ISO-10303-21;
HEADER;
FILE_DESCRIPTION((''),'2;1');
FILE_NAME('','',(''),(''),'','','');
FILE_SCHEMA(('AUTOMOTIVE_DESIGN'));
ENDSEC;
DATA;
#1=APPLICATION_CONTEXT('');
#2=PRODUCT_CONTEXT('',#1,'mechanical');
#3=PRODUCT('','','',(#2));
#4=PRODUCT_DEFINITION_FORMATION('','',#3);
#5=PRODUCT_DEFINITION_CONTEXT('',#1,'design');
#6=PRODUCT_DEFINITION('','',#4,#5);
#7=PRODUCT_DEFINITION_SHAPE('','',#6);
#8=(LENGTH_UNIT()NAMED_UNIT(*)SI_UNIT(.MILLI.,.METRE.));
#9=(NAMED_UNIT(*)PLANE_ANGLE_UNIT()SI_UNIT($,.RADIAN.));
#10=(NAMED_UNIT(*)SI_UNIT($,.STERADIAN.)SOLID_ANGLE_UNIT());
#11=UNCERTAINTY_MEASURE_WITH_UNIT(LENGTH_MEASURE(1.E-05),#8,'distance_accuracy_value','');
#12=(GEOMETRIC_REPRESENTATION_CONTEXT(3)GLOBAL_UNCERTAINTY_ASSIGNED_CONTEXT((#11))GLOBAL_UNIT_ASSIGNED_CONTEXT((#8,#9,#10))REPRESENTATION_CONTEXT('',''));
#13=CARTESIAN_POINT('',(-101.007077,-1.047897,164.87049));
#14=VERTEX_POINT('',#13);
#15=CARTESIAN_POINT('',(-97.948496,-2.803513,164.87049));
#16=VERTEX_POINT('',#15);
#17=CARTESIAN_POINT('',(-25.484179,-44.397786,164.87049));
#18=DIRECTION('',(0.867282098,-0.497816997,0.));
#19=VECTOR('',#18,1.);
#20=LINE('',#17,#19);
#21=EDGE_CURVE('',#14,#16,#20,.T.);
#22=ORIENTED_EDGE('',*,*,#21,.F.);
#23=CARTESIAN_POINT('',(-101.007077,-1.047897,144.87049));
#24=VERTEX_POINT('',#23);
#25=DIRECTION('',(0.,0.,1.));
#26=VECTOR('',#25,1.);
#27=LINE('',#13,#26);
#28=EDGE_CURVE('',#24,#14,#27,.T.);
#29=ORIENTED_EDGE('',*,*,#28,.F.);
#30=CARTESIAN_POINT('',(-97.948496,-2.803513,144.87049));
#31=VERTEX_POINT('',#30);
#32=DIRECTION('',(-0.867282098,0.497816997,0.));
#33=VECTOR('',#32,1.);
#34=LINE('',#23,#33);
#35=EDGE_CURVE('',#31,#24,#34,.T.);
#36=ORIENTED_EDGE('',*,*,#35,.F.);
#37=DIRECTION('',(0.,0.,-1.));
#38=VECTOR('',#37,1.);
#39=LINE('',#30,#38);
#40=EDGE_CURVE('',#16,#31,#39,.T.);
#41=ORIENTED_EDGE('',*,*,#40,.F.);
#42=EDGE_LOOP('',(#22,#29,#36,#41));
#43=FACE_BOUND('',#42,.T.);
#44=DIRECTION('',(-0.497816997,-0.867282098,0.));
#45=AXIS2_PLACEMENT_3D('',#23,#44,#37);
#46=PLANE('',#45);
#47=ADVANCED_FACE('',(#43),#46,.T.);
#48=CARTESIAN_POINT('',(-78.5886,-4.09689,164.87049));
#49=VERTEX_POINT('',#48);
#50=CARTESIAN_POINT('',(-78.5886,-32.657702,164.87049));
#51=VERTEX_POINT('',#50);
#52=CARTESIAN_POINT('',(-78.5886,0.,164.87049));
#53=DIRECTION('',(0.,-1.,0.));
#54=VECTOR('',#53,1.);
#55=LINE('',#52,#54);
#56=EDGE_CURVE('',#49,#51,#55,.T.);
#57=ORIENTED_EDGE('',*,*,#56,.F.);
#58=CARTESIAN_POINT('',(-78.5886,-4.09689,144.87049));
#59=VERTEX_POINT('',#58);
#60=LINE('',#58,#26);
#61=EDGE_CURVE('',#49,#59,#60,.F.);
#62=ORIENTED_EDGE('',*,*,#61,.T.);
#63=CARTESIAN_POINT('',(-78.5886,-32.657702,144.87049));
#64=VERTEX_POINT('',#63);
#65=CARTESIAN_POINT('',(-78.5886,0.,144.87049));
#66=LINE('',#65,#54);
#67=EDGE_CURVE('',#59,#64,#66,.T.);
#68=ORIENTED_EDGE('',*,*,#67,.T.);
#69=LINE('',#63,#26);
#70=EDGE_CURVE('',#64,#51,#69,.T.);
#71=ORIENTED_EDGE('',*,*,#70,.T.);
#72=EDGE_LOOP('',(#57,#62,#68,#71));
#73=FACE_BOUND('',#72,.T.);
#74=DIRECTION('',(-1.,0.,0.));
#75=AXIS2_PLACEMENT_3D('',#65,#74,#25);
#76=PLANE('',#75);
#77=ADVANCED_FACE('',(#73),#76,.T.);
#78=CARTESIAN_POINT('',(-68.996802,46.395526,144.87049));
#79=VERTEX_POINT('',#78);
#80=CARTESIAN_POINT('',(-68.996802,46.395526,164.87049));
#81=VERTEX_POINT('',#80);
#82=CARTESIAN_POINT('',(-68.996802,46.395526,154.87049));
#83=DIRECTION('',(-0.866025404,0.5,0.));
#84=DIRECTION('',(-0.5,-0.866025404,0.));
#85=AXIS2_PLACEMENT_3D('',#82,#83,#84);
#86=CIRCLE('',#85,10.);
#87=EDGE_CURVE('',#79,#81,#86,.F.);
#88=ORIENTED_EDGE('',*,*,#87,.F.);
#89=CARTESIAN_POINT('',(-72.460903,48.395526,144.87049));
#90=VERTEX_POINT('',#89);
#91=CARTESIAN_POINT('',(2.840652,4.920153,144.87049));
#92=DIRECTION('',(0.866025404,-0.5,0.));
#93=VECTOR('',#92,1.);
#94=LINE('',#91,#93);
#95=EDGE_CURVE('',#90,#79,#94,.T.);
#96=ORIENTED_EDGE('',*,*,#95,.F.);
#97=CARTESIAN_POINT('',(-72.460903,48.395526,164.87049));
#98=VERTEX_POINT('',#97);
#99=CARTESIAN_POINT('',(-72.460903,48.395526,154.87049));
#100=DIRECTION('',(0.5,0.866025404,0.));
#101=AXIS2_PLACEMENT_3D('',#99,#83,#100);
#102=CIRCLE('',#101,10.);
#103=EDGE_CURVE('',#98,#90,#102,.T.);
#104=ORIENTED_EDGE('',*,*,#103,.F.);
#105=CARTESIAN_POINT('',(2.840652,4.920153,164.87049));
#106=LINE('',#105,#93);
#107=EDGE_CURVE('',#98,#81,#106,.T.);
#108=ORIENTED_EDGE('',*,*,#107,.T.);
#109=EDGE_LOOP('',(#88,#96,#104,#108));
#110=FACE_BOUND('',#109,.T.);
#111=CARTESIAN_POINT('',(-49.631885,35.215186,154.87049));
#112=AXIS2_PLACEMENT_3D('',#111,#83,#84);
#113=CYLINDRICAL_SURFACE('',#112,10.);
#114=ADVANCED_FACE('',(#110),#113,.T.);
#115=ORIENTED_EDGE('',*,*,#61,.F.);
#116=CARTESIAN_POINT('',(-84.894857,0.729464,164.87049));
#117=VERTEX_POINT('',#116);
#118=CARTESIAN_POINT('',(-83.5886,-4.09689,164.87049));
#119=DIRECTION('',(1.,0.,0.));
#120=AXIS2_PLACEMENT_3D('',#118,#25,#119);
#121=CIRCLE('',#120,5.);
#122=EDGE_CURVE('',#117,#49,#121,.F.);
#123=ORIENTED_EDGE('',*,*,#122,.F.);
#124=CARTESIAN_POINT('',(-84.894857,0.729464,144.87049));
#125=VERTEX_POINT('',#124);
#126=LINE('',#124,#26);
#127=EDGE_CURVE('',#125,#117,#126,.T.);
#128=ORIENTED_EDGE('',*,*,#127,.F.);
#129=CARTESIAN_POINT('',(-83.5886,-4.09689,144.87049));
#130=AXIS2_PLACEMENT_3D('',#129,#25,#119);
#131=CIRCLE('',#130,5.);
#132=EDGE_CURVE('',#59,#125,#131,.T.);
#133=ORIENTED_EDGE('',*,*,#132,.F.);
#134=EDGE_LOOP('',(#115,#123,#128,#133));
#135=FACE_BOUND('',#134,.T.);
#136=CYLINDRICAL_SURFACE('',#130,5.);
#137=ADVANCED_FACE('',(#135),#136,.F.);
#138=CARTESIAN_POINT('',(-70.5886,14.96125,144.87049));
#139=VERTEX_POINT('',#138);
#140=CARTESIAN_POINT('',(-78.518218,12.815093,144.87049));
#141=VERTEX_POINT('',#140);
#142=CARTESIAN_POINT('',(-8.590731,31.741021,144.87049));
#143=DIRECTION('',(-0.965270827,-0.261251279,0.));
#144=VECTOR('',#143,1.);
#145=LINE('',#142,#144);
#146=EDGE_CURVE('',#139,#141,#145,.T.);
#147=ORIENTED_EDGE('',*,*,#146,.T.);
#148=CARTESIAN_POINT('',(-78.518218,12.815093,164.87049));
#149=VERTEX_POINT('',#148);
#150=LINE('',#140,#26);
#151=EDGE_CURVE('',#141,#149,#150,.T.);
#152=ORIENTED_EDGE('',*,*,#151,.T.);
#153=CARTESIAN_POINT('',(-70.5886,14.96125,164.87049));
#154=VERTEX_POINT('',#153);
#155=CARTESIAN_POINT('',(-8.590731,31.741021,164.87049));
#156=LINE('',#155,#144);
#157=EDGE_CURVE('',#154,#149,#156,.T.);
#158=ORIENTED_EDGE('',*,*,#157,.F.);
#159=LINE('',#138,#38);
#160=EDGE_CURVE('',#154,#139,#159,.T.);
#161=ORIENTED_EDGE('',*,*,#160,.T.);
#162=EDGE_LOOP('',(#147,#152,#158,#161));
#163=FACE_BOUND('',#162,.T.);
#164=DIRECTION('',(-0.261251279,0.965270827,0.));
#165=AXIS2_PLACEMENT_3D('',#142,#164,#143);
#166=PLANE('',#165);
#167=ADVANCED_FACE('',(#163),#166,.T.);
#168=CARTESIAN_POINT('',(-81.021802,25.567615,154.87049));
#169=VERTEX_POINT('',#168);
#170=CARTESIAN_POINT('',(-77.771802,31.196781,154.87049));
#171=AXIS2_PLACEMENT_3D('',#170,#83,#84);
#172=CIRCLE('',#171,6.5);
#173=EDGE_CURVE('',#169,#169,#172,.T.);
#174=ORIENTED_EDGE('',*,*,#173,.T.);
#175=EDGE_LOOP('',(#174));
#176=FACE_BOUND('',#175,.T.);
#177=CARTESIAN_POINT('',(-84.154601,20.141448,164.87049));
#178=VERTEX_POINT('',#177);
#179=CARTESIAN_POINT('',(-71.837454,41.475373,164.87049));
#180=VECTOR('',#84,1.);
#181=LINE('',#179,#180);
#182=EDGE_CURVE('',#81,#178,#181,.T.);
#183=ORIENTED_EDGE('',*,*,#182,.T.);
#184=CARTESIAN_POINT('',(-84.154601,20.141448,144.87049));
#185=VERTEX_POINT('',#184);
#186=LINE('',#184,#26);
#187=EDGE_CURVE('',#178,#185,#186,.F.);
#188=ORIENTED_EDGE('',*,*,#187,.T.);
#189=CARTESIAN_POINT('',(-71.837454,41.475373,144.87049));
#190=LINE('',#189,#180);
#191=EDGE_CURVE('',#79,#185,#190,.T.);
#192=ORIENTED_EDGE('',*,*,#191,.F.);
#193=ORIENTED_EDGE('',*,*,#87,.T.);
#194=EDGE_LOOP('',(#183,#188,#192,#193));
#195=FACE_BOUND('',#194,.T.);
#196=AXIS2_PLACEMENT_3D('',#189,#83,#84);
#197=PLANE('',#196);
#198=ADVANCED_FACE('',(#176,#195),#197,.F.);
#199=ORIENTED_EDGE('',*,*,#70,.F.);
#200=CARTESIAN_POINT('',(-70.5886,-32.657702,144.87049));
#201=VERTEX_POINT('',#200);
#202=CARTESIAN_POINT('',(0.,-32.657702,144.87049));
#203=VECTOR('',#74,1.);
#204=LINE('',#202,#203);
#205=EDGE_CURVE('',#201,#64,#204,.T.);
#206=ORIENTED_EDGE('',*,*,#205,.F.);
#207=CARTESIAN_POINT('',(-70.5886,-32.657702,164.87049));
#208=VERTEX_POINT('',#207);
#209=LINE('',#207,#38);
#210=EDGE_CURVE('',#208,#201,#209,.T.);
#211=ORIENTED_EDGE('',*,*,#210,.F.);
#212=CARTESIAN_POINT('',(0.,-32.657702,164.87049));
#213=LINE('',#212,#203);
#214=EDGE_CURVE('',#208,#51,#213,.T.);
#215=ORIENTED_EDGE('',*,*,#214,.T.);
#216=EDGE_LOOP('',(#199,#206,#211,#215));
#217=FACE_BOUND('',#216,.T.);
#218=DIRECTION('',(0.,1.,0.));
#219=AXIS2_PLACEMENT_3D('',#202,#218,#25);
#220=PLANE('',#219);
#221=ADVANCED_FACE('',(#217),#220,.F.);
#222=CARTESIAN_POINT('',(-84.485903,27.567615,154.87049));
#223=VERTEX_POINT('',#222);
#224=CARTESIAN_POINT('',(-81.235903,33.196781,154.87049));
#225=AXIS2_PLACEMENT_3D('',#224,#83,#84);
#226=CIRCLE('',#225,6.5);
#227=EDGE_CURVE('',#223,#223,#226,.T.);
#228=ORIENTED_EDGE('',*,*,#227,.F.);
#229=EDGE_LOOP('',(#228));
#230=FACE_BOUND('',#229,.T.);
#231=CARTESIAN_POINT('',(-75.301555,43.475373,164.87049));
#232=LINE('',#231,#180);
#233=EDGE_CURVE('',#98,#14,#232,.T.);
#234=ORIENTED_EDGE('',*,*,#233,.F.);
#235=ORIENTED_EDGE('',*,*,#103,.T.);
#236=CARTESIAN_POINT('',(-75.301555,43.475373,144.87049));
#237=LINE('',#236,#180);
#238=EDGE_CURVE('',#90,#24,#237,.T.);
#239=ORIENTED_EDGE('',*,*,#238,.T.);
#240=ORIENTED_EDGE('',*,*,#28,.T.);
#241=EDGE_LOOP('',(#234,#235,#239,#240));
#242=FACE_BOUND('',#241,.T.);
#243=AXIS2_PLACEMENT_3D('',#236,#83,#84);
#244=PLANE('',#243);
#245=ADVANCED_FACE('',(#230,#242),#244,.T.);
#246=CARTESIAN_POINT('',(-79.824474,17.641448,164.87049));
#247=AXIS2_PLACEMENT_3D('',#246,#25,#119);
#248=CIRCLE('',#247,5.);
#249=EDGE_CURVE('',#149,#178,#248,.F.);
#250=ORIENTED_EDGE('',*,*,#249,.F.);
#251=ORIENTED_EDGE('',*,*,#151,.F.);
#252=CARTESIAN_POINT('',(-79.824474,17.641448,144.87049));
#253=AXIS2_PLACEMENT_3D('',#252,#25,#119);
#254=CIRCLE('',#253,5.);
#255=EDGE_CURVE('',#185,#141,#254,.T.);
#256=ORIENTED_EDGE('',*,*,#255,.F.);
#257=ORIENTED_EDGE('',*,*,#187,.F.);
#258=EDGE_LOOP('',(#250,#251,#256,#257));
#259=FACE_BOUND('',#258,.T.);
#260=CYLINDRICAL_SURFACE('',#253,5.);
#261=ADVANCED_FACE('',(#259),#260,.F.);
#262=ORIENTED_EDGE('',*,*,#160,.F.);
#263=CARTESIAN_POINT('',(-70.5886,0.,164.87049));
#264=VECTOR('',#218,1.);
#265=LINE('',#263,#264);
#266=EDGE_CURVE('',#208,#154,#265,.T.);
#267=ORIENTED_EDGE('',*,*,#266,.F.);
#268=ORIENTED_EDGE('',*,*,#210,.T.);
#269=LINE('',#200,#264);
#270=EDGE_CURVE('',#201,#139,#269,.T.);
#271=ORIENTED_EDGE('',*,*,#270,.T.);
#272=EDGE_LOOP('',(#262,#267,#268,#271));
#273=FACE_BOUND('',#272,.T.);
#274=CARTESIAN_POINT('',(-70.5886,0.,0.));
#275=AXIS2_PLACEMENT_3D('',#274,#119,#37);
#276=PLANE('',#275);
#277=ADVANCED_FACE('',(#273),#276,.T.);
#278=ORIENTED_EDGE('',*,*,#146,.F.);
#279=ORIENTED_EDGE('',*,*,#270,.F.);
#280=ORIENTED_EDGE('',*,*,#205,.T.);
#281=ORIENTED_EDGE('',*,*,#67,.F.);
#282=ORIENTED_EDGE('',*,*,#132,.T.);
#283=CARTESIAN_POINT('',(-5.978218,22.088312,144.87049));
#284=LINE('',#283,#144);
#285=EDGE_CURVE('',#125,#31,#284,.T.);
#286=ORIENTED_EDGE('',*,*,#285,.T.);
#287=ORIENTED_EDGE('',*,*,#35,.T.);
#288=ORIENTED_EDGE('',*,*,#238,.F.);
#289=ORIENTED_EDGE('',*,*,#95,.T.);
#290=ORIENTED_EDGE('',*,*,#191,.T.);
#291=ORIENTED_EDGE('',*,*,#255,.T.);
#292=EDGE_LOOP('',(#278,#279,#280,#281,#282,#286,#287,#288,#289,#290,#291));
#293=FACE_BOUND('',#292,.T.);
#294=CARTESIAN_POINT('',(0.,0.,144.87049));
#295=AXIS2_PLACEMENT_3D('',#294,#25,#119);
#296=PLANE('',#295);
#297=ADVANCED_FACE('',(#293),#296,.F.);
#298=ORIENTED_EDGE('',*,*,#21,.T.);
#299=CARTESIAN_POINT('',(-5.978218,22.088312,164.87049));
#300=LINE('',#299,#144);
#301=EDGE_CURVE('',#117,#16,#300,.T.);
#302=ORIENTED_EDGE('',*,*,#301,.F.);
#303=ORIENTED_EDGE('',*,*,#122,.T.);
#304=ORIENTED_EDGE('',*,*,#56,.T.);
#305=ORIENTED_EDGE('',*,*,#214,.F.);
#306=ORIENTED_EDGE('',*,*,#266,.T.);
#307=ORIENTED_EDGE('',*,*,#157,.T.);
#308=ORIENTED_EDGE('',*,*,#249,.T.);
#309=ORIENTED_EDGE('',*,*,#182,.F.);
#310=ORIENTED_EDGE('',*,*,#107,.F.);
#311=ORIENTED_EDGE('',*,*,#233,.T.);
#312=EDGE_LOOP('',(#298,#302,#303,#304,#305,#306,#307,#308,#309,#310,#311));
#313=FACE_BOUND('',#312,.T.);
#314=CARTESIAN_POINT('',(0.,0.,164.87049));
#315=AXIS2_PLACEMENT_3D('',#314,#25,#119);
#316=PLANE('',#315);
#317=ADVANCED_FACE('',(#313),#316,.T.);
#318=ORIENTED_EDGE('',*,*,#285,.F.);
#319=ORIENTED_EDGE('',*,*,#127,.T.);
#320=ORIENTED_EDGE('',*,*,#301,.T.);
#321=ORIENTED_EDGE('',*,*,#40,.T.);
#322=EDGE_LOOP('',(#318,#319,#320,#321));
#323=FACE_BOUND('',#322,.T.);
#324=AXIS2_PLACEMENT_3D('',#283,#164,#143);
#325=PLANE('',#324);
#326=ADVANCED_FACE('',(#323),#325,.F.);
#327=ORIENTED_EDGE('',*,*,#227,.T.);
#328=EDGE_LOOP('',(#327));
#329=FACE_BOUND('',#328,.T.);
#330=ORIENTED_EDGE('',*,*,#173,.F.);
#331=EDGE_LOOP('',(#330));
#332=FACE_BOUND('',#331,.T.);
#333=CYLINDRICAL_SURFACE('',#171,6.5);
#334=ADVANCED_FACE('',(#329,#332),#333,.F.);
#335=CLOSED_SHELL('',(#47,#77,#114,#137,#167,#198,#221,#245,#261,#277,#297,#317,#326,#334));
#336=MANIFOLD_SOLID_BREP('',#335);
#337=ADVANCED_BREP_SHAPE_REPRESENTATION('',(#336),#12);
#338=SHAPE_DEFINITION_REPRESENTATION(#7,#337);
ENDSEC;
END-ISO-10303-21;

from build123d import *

# Parameters (mm, degrees)
BOSS_EXTRU_1_DEPTH      = 20
CONG_1_R                = 5
CHANFREIN1_SIZE2        = 5
CHANFREIN1_SIZE         = 3.535545122
BOSS_EXTRU_2_DEPTH      = 4
ESQUISSE9_W             = 20
ESQUISSE9_H             = 48.160254038
ENL_V_MAT_EXTRU_5_DEPTH = 2
ESQUISSE10_R            = 6.5
ENL_V_MAT_EXTRU_6_DEPTH = 4


with BuildPart() as part:
    # Esquisse1 → Boss.-Extru.1 (new body)
    with BuildSketch(Plane.XY.offset(164.870489571)):
        Polygon((-68.588600326, 5.142765071), (-68.588600326, 15.502551901), (-78.588600326, 12.796044343), (-90.211700696, 9.650243444), (-68.996801706, 46.395526372), (-72.460903321, 48.395526372), (-102.774849854, -4.109769201), (-78.588600326, 2.436257514), (-78.588600326, -32.657702137), (-68.588600326, -32.657702137), align=None)
    extrude(amount=-BOSS_EXTRU_1_DEPTH)

    # Congé1
    cong_1_edges = [part.edges().sort_by_distance(p)[0] for p in [
        (-90.211700696, 9.650243444, 154.870489571),
        (-78.588600326, 2.436257514, 154.870489571),
    ]]
    fillet(cong_1_edges, radius=CONG_1_R)

    # Chanfrein1
    chanfrein1_edges = [part.edges().sort_by_distance(p)[0] for p in [
        (-102.774849854, -4.109769201, 154.870489571),
    ]]
    chamfer(chanfrein1_edges, length=CHANFREIN1_SIZE, length2=CHANFREIN1_SIZE2)

    # Esquisse8 → Boss.-Extru.2 (add)
    with BuildSketch(Plane(origin=(-75.301555125, 43.475373122, 0), x_dir=(0, 0, 1), z_dir=(-0.866025404, 0.5, 0))):
        with BuildLine():
            Line((144.870489571, 5.681303607), (164.870489571, 5.681303607))
            ThreePointArc((164.870489571, 5.681303607), (154.870489571, 15.681303607), (144.870489571, 5.681303607))
        make_face()
    extrude(amount=-BOSS_EXTRU_2_DEPTH)

    # Esquisse9 → Enlèv. mat.-Extru.5 (cut)
    with BuildSketch(Plane(origin=(-68.588600326, 0, 0), x_dir=(0, 0, -1), z_dir=(1, 0, 0))):
        with Locations((-154.870489571, -8.577575118)):
            Rectangle(ESQUISSE9_W, ESQUISSE9_H)
    extrude(amount=-ENL_V_MAT_EXTRU_5_DEPTH, mode=Mode.SUBTRACT)

    # Esquisse10 → Enlèv. mat.-Extru.6 (cut)
    with BuildSketch(Plane(origin=(-75.301555125, 43.475373122, 0), x_dir=(0, 0, 1), z_dir=(-0.866025404, 0.5, 0))):
        with Locations((154.870489571, -11.868696393)):
            Circle(ESQUISSE10_R)
    extrude(amount=-ENL_V_MAT_EXTRU_6_DEPTH, mode=Mode.SUBTRACT)


solid = part.part
